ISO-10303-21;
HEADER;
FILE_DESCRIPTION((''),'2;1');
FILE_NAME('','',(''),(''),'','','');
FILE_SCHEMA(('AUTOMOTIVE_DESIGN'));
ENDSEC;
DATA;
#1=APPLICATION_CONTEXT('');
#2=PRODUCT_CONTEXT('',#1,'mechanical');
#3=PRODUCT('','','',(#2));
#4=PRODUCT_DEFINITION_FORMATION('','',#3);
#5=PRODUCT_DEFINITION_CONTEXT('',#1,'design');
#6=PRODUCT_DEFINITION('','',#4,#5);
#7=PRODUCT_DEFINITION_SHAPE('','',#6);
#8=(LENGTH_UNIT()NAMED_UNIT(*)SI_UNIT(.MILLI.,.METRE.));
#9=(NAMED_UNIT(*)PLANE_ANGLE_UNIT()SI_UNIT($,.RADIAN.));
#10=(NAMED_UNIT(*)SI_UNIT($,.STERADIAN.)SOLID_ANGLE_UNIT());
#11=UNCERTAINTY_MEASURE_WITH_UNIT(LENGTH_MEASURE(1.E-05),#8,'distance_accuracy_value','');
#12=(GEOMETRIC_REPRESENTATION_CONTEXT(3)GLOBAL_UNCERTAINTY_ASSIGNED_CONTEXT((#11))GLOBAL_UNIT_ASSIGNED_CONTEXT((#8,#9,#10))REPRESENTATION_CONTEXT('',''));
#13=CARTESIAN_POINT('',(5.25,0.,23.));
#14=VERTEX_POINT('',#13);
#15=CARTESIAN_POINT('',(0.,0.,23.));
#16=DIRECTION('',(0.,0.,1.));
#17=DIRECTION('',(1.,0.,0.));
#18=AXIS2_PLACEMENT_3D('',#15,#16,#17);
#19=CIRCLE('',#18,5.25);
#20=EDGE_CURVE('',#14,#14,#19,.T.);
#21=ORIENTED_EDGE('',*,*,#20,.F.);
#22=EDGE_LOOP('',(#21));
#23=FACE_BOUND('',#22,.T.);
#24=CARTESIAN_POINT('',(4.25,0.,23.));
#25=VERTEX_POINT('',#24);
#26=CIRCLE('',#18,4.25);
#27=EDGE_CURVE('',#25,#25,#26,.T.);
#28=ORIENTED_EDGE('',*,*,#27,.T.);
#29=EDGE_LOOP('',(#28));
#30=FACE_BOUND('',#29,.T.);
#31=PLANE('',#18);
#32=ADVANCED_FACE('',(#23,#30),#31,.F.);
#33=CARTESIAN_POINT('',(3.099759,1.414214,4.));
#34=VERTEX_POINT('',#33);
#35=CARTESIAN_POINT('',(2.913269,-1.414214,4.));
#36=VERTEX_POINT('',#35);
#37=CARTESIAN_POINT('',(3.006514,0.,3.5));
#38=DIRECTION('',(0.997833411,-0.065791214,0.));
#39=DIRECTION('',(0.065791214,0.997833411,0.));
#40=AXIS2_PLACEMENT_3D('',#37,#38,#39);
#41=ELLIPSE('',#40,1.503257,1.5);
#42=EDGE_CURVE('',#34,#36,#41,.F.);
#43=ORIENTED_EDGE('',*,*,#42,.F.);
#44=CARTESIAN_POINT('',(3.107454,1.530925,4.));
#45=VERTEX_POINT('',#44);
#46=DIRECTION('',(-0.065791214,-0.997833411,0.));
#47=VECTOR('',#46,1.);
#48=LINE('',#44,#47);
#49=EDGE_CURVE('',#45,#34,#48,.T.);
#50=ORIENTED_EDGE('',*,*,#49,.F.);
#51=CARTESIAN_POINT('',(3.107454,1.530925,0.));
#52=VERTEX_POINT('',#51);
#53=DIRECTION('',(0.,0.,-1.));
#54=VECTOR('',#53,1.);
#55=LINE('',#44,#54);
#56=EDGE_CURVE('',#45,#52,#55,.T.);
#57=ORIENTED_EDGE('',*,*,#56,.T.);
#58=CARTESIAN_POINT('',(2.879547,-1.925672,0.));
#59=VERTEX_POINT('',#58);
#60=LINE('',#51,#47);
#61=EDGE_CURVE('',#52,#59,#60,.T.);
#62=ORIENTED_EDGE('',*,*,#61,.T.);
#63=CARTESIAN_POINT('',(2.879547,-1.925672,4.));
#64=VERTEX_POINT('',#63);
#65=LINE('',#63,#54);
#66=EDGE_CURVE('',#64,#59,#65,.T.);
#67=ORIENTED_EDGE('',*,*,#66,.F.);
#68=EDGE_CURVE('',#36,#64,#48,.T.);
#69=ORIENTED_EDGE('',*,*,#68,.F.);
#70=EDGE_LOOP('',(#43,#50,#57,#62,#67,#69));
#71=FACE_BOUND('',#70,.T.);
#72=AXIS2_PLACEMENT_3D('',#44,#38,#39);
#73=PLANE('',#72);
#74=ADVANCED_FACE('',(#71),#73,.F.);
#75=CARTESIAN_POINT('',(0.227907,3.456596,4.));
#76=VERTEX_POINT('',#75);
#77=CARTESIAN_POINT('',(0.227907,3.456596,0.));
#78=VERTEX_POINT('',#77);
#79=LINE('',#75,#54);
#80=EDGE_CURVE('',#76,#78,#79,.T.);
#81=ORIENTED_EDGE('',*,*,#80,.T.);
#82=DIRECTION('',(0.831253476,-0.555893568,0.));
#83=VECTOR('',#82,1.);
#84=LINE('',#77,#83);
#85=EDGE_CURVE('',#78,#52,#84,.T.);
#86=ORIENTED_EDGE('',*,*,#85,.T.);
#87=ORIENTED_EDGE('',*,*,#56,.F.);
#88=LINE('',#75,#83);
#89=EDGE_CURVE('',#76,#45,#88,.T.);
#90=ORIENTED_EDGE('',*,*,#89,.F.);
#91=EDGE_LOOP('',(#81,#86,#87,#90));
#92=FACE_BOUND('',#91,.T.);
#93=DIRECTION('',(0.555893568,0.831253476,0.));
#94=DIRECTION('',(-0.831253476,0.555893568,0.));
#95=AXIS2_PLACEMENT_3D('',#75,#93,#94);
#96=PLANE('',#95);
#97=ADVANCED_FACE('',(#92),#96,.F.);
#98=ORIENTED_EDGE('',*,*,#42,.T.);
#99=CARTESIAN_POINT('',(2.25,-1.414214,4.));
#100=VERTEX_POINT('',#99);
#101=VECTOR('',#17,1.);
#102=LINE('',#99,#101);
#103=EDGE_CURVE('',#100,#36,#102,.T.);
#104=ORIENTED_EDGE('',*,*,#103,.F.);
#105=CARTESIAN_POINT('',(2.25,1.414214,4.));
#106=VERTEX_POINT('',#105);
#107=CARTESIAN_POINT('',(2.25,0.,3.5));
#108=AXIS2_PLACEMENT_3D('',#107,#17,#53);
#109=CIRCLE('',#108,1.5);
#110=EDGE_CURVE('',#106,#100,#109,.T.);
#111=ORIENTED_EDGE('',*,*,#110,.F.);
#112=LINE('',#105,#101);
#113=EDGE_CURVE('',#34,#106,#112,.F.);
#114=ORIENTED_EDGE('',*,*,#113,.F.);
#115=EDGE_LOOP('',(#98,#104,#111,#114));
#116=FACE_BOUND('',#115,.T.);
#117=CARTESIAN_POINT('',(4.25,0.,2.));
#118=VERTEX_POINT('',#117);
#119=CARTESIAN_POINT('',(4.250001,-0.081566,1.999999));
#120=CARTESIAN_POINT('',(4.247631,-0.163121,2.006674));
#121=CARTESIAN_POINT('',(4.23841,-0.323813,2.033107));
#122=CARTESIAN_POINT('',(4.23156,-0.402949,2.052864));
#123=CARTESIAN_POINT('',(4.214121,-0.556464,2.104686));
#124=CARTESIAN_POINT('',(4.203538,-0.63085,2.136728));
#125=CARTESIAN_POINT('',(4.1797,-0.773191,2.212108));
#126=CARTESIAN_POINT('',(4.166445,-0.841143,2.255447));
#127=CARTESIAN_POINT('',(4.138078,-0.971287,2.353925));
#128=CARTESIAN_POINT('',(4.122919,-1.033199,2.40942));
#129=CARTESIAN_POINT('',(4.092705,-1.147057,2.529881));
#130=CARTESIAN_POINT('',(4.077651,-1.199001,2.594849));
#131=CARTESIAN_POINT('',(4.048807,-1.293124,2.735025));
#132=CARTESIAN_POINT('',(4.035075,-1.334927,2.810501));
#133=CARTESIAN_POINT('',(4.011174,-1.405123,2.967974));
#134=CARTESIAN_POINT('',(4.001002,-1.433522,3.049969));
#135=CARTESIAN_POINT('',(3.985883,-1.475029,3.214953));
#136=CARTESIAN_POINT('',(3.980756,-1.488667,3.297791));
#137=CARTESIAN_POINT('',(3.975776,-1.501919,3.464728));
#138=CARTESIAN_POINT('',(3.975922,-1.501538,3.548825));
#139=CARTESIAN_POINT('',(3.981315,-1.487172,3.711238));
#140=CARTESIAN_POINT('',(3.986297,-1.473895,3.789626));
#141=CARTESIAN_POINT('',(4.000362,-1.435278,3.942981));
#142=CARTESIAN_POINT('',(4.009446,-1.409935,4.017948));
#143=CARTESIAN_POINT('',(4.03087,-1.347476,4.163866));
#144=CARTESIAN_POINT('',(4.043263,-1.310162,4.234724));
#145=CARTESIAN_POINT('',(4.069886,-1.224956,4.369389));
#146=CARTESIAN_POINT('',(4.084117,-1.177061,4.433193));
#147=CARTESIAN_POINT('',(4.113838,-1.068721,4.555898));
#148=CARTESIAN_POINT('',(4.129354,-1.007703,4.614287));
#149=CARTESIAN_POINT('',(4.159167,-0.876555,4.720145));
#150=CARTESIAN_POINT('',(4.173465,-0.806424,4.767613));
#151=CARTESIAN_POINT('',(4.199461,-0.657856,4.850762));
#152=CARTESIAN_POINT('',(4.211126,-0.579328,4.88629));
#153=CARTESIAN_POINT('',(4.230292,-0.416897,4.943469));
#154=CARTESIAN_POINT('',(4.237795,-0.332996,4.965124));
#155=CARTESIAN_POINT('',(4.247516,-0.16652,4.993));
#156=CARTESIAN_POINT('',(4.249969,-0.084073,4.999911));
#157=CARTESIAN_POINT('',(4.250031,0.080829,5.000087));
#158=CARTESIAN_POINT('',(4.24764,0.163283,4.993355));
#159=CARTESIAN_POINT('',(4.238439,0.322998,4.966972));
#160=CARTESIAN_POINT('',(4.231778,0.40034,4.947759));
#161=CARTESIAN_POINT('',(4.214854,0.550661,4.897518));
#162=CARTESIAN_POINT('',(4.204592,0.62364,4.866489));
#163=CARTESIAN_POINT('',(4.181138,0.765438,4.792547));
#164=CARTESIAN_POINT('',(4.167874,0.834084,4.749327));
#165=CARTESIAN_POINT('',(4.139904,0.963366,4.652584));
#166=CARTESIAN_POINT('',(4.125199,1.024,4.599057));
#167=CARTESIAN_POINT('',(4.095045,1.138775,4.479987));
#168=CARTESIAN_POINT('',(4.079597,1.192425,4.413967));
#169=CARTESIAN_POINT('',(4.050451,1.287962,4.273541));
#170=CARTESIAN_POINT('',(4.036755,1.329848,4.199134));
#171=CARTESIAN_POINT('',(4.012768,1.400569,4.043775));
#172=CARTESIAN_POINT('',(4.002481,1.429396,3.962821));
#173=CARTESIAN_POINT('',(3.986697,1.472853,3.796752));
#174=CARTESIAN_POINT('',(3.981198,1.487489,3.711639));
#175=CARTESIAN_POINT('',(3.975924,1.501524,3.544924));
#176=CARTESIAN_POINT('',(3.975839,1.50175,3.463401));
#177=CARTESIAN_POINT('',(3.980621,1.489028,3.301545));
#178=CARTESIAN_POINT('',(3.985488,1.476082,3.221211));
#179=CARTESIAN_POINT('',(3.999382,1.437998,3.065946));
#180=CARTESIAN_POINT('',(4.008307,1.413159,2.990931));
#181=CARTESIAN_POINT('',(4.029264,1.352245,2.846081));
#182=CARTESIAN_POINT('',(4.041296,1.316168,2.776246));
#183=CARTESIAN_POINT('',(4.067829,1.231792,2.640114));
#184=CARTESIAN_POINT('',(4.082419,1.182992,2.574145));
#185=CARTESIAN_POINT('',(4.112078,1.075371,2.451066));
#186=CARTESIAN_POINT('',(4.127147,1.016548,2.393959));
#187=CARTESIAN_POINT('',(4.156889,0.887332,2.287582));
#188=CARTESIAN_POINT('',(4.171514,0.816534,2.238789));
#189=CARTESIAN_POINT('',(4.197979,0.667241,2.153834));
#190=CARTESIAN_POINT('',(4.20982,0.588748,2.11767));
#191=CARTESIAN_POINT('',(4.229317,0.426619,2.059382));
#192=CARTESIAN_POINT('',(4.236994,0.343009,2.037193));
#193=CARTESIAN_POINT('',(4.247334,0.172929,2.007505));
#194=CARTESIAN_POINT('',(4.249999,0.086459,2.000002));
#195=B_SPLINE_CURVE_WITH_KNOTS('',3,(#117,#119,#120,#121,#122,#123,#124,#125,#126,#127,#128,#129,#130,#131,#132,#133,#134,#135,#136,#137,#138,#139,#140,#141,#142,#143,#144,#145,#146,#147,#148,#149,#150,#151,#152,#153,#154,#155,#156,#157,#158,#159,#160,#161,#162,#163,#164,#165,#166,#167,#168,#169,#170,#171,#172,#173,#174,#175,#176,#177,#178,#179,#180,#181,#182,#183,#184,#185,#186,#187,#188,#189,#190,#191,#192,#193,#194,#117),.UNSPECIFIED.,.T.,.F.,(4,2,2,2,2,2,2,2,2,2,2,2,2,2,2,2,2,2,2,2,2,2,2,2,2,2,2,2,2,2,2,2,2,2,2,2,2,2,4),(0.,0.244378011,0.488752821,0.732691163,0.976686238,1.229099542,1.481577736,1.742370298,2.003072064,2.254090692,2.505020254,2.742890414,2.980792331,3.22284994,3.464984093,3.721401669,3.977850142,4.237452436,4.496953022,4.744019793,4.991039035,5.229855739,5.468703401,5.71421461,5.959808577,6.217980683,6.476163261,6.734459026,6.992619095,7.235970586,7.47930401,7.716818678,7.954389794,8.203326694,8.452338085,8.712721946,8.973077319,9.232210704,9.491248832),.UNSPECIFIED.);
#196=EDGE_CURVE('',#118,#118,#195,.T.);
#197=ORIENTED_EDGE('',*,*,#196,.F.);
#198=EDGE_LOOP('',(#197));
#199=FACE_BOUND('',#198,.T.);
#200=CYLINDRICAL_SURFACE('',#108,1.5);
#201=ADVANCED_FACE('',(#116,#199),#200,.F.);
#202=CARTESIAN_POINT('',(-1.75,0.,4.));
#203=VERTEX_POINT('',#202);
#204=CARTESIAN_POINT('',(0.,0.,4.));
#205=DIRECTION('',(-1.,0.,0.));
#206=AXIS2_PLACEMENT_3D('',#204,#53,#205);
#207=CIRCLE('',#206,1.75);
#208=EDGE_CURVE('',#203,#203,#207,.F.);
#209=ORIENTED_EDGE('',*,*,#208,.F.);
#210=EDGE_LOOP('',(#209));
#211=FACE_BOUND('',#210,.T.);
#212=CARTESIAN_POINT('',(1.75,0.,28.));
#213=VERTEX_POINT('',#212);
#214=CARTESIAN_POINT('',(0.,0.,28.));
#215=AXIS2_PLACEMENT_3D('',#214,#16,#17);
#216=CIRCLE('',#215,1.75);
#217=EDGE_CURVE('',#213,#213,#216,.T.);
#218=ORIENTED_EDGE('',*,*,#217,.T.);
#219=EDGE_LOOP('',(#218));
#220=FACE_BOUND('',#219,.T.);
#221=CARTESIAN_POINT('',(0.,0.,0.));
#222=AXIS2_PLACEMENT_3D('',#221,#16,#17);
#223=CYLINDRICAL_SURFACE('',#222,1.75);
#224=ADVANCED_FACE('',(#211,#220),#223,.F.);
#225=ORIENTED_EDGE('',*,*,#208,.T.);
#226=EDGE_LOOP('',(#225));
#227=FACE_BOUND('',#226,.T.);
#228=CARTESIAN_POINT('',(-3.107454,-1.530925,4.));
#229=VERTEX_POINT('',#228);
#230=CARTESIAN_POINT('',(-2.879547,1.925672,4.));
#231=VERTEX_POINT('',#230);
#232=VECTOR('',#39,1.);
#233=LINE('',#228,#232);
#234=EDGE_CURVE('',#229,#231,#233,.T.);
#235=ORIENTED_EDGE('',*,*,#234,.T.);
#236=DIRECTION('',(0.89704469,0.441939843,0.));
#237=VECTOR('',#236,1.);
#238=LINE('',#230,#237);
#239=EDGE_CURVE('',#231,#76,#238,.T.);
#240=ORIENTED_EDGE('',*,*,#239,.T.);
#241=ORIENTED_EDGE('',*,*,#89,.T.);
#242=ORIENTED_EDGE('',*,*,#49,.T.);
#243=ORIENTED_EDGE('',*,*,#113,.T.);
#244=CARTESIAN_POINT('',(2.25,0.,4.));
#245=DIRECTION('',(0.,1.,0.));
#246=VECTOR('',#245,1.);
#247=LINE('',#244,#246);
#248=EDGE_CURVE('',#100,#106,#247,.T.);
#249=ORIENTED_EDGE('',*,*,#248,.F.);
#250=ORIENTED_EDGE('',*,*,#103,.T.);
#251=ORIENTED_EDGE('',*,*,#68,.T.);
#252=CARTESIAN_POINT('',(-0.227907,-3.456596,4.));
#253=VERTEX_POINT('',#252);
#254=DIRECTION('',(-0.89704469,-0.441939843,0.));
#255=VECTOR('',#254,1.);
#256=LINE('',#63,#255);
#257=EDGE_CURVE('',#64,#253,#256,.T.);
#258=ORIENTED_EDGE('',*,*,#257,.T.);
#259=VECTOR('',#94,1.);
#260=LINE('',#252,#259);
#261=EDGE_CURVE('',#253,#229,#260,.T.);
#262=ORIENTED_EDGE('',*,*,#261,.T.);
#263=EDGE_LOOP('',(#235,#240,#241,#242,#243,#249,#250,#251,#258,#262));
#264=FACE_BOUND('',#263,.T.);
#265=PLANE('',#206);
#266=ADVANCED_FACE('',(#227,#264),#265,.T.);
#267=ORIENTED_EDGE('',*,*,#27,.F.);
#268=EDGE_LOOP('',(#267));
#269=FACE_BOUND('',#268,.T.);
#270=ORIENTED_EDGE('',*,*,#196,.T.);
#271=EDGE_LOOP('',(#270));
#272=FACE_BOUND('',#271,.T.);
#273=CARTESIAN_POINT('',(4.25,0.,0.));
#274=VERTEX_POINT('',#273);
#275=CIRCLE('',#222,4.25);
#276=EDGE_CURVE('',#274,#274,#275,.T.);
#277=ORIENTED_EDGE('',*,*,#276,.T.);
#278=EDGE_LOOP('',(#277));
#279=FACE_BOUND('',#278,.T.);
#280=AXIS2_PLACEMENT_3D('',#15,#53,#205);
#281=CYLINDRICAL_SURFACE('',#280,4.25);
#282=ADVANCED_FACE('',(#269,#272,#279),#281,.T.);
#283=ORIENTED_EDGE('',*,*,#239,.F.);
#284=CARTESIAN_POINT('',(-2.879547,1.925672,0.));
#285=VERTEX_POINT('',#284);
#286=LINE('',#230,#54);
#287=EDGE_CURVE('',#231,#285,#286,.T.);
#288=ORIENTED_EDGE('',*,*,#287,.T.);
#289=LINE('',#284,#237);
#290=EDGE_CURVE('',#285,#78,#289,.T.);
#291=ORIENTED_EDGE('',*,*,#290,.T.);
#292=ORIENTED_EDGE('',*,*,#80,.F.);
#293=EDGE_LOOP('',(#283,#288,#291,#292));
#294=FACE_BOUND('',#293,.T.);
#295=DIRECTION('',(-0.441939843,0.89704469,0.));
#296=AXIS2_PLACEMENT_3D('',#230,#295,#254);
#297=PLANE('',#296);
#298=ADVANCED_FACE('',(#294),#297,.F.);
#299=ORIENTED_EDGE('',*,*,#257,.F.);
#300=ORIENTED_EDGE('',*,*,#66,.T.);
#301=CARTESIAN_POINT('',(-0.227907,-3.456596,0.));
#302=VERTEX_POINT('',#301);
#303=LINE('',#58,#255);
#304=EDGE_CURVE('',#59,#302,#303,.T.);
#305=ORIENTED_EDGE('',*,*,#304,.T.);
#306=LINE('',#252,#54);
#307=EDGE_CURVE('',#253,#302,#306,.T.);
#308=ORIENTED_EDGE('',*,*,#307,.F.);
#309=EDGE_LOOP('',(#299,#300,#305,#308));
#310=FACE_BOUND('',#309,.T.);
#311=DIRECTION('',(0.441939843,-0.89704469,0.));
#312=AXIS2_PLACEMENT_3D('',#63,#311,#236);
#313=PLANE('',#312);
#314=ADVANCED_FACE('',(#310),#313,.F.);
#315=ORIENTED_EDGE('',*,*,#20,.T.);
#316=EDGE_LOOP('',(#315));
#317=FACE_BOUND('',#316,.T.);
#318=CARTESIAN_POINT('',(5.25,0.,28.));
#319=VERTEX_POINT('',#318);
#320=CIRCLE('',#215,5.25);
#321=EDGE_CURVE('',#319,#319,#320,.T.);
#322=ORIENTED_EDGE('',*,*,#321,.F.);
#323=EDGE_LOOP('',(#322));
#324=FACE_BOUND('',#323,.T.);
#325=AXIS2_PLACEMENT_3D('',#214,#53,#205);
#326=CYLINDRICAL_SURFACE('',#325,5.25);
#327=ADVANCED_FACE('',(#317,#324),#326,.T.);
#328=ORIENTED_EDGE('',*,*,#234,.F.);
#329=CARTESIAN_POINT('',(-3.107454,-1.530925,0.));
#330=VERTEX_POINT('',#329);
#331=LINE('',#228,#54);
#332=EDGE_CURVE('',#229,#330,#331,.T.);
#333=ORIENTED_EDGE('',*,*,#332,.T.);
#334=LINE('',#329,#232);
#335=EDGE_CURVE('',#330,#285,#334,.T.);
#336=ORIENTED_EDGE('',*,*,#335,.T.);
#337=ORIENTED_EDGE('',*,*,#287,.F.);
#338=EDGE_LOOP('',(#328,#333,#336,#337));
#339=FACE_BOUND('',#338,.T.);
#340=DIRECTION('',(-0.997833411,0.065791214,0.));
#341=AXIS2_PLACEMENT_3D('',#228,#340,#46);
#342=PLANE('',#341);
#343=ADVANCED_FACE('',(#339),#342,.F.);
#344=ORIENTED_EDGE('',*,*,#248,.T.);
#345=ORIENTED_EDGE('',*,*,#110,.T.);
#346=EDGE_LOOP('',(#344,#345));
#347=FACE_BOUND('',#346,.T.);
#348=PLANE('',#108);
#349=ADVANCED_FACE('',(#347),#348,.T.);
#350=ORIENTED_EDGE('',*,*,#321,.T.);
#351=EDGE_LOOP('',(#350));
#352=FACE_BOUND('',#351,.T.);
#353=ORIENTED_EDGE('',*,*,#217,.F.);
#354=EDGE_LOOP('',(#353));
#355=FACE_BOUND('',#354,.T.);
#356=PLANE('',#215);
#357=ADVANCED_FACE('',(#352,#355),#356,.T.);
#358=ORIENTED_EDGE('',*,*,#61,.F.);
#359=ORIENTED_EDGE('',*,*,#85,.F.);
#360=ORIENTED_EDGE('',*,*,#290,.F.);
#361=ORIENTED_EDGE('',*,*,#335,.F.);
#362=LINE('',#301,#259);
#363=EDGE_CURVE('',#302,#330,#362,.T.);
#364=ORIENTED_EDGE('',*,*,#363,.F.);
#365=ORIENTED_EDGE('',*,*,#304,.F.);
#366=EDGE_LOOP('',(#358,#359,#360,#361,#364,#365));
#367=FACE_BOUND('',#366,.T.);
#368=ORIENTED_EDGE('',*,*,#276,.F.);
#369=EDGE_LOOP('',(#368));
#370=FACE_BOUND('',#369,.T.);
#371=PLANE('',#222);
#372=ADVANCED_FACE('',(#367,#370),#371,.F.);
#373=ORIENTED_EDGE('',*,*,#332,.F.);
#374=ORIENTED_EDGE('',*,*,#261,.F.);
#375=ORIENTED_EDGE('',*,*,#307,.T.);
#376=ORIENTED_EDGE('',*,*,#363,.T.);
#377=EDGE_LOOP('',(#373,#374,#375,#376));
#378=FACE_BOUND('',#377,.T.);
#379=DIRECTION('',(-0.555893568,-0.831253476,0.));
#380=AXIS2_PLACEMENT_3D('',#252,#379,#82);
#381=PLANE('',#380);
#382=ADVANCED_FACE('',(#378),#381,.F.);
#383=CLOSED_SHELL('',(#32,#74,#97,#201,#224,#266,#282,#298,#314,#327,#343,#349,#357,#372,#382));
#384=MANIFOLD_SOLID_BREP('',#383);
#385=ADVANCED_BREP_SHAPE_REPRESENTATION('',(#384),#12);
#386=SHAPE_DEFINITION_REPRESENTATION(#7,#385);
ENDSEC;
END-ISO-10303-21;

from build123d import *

# Parameters (mm, degrees)
SKETCH1_R           = 4.25
BOSS_EXTRUDE1_DEPTH = 23
SKETCH2_R           = 5.25
BOSS_EXTRUDE2_DEPTH = 5
SKETCH6_R           = 1.5
CUT_EXTRUDE3_DEPTH  = 2
SKETCH7_R           = 1.75
CUT_EXTRUDE4_DEPTH  = 29.0000001
CUT_EXTRUDE5_DEPTH  = 4


with BuildPart() as part:
    # Sketch1 → Boss-Extrude1 (new body)
    with BuildSketch(Plane.XY):
        Circle(SKETCH1_R)
    extrude(amount=BOSS_EXTRUDE1_DEPTH)

    # Sketch2 → Boss-Extrude2 (add)
    with BuildSketch(Plane.XY.offset(23)):
        Circle(SKETCH2_R)
    extrude(amount=BOSS_EXTRUDE2_DEPTH)

    # Sketch6 → Cut-Extrude3 (cut)
    with BuildSketch(Plane(origin=(4.25, 0, 0), x_dir=(0, 0, -1), z_dir=(1, 0, 0))):
        with Locations((-3.5, 0)):
            Circle(SKETCH6_R)
    extrude(amount=-CUT_EXTRUDE3_DEPTH, mode=Mode.SUBTRACT)

    # Sketch7 → Cut-Extrude4 (cut, through all)
    with BuildSketch(Plane.XY.offset(28)):
        Circle(SKETCH7_R)
    extrude(amount=-CUT_EXTRUDE4_DEPTH, mode=Mode.SUBTRACT)

    # Sketch8 → Cut-Extrude5 (cut)
    with BuildSketch(Plane(origin=(0, 0, 0), x_dir=(-1, 0, 0), z_dir=(0, 0, -1))):
        Polygon((-0.22790745, 3.456596331), (-3.107453958, 1.530924524), (-2.879546508, -1.925671807), (0.22790745, -3.456596331), (3.107453958, -1.530924524), (2.879546508, 1.925671807), align=None)
    extrude(amount=-CUT_EXTRUDE5_DEPTH, mode=Mode.SUBTRACT)


solid = part.part
